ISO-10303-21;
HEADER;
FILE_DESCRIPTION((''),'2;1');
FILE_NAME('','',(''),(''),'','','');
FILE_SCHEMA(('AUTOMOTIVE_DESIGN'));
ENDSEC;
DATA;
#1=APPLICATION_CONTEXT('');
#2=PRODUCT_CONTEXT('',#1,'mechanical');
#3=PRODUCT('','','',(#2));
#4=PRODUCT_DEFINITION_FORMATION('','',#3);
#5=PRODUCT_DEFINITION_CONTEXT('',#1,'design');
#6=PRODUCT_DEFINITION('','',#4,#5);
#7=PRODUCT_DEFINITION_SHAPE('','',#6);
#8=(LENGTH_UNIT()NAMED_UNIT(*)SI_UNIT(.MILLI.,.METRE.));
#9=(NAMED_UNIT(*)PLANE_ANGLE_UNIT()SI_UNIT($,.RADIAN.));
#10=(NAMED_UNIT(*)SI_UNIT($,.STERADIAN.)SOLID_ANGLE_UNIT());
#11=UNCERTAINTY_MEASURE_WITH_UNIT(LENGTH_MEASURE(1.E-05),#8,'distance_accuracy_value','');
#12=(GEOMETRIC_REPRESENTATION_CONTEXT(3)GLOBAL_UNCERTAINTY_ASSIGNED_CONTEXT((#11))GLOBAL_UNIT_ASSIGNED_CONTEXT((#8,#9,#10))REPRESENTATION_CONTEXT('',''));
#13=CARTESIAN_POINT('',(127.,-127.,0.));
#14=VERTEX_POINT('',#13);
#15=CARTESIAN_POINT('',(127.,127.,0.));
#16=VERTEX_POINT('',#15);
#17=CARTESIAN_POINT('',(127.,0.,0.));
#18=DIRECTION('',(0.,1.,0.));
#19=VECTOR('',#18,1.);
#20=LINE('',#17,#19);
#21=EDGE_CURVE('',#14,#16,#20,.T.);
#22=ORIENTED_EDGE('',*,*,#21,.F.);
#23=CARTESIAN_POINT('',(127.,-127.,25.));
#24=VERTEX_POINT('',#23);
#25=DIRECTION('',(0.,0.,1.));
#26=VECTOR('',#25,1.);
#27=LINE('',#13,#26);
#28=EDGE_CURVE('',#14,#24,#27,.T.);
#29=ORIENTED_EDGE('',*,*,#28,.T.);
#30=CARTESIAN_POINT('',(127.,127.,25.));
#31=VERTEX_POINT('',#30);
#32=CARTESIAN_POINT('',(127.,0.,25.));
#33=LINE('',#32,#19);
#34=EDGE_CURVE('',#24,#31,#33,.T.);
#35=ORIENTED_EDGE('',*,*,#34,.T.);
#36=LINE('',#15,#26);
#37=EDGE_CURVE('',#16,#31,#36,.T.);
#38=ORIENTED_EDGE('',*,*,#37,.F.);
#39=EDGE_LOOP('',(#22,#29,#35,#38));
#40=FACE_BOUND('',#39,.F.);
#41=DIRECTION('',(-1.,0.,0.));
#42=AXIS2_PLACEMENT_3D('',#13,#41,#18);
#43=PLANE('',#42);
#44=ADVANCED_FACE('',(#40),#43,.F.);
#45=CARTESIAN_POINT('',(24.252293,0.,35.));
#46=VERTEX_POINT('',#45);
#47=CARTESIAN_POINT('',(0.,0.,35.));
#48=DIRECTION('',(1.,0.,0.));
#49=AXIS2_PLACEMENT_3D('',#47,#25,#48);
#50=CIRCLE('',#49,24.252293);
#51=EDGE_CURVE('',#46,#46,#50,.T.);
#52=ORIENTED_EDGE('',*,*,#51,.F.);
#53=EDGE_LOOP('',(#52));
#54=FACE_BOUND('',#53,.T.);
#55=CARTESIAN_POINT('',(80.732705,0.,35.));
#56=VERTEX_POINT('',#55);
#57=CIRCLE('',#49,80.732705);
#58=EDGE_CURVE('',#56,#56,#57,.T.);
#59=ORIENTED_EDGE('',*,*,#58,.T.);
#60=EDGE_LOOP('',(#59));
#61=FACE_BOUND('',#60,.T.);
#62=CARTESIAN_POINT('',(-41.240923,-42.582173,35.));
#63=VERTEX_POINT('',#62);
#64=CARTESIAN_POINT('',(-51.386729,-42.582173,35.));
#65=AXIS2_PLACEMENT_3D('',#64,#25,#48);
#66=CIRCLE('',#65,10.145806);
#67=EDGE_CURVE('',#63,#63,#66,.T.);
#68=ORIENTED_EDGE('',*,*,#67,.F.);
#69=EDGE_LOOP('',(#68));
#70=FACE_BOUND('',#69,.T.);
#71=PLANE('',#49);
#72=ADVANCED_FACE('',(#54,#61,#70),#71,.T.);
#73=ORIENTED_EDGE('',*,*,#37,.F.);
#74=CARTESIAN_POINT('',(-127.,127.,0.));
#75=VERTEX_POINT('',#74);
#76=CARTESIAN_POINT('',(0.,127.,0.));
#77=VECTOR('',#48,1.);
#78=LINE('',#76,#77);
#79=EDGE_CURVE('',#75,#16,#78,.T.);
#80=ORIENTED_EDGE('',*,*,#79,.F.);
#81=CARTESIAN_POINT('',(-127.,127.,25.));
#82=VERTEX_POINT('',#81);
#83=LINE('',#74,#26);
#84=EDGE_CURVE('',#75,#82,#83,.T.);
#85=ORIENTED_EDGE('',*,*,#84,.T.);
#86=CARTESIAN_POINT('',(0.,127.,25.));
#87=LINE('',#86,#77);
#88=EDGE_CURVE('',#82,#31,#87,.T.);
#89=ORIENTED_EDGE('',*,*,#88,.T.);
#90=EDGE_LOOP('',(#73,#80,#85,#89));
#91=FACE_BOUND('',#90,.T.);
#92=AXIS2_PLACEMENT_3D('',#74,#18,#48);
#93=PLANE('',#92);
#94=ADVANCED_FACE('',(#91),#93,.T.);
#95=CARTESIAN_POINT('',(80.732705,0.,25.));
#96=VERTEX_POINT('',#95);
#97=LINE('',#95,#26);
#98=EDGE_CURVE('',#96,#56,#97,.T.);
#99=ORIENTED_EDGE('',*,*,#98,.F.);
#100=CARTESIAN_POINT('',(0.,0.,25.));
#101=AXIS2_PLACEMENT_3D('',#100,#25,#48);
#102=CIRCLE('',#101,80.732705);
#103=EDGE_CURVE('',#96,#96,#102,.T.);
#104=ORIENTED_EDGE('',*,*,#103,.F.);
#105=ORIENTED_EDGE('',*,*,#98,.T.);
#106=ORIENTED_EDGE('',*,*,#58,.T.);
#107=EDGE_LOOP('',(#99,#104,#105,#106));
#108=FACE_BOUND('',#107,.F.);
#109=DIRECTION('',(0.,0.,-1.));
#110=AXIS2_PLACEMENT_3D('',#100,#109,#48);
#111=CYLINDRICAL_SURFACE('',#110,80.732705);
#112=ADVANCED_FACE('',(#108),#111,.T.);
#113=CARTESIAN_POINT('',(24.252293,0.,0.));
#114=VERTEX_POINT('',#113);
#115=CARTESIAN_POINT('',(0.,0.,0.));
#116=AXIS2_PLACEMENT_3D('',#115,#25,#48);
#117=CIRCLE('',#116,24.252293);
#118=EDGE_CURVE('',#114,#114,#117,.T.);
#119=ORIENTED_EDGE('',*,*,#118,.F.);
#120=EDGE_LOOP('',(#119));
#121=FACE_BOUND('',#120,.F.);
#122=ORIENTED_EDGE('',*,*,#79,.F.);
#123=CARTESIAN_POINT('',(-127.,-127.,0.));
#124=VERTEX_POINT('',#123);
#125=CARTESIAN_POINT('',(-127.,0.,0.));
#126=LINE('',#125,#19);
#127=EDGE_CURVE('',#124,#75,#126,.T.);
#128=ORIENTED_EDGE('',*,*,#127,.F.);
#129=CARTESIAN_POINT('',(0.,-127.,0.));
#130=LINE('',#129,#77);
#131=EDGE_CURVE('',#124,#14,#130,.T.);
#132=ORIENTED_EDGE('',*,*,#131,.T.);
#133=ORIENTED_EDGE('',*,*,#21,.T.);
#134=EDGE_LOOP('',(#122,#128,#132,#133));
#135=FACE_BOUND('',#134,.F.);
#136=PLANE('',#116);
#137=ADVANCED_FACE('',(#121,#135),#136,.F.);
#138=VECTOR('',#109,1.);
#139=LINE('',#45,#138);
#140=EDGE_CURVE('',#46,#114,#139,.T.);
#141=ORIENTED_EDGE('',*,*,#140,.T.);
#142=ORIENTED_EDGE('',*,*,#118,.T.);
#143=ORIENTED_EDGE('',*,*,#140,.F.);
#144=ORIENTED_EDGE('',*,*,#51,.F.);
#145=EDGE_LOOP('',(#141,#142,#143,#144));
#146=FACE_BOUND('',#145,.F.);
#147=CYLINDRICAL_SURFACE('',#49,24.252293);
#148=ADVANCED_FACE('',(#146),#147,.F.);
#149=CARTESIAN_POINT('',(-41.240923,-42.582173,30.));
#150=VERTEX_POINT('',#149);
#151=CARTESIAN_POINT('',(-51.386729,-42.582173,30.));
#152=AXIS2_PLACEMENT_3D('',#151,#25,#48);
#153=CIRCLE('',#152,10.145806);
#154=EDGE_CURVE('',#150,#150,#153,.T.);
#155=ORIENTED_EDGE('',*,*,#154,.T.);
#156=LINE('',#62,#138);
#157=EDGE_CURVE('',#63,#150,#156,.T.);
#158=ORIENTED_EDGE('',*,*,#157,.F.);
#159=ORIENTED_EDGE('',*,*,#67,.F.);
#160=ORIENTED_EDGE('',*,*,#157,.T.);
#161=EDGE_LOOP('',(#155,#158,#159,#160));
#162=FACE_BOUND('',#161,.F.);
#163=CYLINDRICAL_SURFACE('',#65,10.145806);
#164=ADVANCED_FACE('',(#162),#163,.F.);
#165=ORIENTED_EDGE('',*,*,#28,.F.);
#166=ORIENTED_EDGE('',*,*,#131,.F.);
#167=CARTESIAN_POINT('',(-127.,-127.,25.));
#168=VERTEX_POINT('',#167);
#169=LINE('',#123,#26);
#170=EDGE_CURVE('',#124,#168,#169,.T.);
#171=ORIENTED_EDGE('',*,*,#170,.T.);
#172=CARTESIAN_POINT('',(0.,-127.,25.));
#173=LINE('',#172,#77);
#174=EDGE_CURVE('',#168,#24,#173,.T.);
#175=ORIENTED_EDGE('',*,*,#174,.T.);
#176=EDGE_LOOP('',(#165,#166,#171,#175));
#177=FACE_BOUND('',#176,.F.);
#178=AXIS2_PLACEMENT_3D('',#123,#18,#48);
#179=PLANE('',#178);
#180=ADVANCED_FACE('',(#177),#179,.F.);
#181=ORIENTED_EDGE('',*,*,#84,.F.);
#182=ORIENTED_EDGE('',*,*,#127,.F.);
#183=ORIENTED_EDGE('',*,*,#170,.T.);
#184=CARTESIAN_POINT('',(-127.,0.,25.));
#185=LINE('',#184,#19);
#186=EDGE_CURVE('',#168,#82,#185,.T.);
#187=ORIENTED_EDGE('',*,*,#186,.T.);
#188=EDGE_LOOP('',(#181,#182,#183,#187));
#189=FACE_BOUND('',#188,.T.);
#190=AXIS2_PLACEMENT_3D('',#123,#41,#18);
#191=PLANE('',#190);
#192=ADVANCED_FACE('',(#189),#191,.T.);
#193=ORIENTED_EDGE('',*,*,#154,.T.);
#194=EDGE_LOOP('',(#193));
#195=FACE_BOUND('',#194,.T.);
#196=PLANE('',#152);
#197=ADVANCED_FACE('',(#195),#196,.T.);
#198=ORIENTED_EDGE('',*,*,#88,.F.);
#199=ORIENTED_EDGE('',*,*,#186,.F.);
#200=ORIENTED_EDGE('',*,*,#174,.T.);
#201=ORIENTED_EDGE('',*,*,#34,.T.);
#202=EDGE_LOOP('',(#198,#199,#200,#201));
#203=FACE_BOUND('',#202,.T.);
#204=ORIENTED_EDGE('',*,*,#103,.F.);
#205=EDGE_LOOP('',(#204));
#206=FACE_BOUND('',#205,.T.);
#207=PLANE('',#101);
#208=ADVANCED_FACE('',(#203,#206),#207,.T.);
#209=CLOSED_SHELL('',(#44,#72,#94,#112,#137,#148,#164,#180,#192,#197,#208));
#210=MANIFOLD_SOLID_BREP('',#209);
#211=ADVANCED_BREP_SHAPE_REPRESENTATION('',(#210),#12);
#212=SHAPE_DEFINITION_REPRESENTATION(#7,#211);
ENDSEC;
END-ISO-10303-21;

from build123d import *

# Parameters (mm, degrees)
F0_W     = 254
F0_H     = 254
F1_DEPTH = 25
F2_R     = 80.732705
F3_DEPTH = 10
F4_R     = 24.252293
F5_DEPTH = 1270
F6_R     = 10.145806
F7_DEPTH = 5


with BuildPart() as f1:
    # F0 (on Top) → F1 (new body)
    with BuildSketch(Plane.XY):
        Rectangle(F0_W, F0_H)
    extrude(amount=F1_DEPTH)

    # F2 (on face) → F3 (join)
    with BuildSketch(Plane.XY.offset(25)):
        Circle(F2_R)
    extrude(amount=F3_DEPTH)

    # F4 (on face) → F5 (cut)
    with BuildSketch(Plane.XY.offset(35)):
        Circle(F4_R)
    extrude(amount=-F5_DEPTH, mode=Mode.SUBTRACT)

    # F6 (on face) → F7 (cut)
    with BuildSketch(Plane.XY.offset(35)):
        with Locations((-51.386729, -42.582173)):
            Circle(F6_R)
    extrude(amount=-F7_DEPTH, mode=Mode.SUBTRACT)


solid = f1.part
